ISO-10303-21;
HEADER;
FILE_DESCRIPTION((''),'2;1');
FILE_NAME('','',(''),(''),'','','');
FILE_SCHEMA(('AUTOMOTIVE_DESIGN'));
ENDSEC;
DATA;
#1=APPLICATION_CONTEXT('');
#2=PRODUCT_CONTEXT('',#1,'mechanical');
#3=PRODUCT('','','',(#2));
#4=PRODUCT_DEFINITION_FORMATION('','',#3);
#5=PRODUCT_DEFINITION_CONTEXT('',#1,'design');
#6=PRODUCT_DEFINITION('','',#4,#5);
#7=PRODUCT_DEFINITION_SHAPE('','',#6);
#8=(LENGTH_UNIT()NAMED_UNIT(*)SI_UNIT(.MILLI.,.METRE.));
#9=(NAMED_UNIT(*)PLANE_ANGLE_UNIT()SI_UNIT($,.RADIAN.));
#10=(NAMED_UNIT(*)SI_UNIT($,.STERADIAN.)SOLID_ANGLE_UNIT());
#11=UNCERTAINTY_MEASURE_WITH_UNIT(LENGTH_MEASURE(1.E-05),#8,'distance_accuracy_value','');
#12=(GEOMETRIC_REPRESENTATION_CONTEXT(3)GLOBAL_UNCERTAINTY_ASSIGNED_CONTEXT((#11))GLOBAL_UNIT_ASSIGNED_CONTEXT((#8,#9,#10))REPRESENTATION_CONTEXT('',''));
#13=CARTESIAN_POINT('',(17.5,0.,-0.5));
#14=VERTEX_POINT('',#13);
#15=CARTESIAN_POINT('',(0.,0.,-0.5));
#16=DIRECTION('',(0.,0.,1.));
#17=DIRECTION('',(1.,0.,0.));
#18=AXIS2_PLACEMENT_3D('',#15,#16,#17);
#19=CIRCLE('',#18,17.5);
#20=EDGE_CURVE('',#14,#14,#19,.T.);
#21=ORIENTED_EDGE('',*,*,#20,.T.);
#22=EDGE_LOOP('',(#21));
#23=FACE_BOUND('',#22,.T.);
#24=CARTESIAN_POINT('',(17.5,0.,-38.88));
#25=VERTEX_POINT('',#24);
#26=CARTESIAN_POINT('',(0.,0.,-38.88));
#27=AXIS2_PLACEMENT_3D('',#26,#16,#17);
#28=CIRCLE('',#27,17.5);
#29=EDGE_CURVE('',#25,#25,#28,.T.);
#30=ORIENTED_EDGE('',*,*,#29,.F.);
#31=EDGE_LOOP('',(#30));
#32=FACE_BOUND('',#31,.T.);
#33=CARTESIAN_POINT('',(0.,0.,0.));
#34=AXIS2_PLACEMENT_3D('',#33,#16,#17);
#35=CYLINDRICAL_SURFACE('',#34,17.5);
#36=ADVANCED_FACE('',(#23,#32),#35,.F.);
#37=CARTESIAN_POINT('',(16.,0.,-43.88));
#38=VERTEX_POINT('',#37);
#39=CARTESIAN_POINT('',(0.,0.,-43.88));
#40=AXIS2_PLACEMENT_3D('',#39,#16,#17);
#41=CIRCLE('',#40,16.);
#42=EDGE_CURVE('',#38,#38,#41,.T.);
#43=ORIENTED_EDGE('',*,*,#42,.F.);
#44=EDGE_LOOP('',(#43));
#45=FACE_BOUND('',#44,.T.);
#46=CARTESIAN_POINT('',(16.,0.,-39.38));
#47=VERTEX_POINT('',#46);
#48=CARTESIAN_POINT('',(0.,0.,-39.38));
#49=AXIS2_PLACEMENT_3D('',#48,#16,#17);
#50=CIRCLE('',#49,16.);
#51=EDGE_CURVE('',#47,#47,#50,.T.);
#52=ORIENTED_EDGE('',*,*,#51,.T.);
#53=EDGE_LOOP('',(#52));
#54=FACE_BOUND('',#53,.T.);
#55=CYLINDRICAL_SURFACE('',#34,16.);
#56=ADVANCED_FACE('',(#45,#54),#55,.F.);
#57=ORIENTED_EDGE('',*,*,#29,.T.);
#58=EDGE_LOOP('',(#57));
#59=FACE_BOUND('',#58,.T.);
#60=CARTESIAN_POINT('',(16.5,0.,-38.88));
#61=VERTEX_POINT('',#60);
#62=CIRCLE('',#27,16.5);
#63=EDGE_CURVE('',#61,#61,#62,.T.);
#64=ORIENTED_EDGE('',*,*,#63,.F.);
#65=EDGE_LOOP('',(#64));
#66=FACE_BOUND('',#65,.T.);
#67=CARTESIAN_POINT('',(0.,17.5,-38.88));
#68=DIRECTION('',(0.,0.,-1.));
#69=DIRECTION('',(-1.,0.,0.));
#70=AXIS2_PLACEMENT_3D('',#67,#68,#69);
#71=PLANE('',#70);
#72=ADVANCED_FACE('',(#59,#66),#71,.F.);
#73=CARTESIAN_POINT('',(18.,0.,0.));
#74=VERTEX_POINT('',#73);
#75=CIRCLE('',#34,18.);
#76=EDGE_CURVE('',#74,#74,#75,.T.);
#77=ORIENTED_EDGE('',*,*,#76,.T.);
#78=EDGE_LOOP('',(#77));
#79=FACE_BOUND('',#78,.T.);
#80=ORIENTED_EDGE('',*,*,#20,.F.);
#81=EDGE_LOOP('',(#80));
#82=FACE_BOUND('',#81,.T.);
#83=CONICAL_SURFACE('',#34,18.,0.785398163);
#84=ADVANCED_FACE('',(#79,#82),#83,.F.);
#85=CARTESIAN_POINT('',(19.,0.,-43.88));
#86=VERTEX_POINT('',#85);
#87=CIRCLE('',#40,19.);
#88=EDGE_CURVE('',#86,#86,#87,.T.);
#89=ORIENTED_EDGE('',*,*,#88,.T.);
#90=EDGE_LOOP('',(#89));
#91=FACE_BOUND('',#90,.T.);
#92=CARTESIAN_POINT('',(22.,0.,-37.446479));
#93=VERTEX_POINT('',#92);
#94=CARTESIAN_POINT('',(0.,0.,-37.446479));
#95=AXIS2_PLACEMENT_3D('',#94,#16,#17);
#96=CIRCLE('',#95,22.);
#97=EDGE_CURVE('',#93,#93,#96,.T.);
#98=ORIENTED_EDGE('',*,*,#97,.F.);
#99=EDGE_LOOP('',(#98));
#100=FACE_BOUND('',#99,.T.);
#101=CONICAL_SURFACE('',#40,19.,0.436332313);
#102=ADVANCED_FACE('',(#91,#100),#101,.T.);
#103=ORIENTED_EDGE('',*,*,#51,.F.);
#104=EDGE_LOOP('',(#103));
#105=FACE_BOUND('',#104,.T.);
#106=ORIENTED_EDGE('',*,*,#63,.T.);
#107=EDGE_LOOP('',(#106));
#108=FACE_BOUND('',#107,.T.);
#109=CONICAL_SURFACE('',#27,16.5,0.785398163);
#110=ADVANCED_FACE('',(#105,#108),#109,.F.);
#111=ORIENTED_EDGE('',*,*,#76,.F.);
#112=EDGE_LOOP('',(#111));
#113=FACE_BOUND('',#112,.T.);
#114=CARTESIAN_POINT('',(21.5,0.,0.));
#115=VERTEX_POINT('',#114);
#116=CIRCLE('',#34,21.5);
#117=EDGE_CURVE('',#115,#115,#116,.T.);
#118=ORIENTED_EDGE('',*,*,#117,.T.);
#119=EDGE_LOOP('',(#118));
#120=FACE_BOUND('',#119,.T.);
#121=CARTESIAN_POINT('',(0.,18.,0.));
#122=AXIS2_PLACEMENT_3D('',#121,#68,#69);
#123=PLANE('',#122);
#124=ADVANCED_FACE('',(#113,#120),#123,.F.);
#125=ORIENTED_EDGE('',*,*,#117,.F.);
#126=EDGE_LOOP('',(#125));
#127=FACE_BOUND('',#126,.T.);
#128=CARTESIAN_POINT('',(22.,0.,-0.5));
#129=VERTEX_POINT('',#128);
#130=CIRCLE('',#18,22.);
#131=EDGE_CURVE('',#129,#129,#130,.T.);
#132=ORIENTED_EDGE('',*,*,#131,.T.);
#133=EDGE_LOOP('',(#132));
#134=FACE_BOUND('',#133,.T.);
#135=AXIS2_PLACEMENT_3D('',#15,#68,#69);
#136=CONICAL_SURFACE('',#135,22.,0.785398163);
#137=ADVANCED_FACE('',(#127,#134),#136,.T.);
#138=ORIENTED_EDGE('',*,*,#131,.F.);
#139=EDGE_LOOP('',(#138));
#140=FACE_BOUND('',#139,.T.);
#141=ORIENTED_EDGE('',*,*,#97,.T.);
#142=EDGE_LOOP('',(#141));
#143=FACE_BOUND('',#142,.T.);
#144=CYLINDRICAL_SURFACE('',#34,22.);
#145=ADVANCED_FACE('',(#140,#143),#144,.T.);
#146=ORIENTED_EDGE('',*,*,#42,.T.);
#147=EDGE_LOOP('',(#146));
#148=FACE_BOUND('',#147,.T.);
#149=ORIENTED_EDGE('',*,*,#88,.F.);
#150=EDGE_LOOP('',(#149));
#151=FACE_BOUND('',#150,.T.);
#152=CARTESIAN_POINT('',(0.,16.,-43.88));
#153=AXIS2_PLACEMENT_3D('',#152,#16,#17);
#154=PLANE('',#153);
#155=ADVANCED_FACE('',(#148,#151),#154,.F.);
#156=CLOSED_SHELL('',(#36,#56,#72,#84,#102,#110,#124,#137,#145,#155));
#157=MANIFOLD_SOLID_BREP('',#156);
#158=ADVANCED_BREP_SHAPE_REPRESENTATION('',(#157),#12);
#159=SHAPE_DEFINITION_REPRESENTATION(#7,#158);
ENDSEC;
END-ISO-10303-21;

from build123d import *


with BuildPart() as part:
    # Szkic2 → Obrót1 (revolve)
    with BuildSketch(Plane(origin=(0, 0, 0), x_dir=(0, 0, -1), z_dir=(1, 0, 0))):
        Polygon((0, 18), (0, 21.5), (0.5, 22), (37.446479238, 22), (43.88, 19), (43.88, 16), (39.38, 16), (38.88, 16.5), (38.88, 17.5), (0.5, 17.5), align=None)
    revolve(axis=Axis((0, 0, 0), (0, 0, -1)))


solid = part.part
